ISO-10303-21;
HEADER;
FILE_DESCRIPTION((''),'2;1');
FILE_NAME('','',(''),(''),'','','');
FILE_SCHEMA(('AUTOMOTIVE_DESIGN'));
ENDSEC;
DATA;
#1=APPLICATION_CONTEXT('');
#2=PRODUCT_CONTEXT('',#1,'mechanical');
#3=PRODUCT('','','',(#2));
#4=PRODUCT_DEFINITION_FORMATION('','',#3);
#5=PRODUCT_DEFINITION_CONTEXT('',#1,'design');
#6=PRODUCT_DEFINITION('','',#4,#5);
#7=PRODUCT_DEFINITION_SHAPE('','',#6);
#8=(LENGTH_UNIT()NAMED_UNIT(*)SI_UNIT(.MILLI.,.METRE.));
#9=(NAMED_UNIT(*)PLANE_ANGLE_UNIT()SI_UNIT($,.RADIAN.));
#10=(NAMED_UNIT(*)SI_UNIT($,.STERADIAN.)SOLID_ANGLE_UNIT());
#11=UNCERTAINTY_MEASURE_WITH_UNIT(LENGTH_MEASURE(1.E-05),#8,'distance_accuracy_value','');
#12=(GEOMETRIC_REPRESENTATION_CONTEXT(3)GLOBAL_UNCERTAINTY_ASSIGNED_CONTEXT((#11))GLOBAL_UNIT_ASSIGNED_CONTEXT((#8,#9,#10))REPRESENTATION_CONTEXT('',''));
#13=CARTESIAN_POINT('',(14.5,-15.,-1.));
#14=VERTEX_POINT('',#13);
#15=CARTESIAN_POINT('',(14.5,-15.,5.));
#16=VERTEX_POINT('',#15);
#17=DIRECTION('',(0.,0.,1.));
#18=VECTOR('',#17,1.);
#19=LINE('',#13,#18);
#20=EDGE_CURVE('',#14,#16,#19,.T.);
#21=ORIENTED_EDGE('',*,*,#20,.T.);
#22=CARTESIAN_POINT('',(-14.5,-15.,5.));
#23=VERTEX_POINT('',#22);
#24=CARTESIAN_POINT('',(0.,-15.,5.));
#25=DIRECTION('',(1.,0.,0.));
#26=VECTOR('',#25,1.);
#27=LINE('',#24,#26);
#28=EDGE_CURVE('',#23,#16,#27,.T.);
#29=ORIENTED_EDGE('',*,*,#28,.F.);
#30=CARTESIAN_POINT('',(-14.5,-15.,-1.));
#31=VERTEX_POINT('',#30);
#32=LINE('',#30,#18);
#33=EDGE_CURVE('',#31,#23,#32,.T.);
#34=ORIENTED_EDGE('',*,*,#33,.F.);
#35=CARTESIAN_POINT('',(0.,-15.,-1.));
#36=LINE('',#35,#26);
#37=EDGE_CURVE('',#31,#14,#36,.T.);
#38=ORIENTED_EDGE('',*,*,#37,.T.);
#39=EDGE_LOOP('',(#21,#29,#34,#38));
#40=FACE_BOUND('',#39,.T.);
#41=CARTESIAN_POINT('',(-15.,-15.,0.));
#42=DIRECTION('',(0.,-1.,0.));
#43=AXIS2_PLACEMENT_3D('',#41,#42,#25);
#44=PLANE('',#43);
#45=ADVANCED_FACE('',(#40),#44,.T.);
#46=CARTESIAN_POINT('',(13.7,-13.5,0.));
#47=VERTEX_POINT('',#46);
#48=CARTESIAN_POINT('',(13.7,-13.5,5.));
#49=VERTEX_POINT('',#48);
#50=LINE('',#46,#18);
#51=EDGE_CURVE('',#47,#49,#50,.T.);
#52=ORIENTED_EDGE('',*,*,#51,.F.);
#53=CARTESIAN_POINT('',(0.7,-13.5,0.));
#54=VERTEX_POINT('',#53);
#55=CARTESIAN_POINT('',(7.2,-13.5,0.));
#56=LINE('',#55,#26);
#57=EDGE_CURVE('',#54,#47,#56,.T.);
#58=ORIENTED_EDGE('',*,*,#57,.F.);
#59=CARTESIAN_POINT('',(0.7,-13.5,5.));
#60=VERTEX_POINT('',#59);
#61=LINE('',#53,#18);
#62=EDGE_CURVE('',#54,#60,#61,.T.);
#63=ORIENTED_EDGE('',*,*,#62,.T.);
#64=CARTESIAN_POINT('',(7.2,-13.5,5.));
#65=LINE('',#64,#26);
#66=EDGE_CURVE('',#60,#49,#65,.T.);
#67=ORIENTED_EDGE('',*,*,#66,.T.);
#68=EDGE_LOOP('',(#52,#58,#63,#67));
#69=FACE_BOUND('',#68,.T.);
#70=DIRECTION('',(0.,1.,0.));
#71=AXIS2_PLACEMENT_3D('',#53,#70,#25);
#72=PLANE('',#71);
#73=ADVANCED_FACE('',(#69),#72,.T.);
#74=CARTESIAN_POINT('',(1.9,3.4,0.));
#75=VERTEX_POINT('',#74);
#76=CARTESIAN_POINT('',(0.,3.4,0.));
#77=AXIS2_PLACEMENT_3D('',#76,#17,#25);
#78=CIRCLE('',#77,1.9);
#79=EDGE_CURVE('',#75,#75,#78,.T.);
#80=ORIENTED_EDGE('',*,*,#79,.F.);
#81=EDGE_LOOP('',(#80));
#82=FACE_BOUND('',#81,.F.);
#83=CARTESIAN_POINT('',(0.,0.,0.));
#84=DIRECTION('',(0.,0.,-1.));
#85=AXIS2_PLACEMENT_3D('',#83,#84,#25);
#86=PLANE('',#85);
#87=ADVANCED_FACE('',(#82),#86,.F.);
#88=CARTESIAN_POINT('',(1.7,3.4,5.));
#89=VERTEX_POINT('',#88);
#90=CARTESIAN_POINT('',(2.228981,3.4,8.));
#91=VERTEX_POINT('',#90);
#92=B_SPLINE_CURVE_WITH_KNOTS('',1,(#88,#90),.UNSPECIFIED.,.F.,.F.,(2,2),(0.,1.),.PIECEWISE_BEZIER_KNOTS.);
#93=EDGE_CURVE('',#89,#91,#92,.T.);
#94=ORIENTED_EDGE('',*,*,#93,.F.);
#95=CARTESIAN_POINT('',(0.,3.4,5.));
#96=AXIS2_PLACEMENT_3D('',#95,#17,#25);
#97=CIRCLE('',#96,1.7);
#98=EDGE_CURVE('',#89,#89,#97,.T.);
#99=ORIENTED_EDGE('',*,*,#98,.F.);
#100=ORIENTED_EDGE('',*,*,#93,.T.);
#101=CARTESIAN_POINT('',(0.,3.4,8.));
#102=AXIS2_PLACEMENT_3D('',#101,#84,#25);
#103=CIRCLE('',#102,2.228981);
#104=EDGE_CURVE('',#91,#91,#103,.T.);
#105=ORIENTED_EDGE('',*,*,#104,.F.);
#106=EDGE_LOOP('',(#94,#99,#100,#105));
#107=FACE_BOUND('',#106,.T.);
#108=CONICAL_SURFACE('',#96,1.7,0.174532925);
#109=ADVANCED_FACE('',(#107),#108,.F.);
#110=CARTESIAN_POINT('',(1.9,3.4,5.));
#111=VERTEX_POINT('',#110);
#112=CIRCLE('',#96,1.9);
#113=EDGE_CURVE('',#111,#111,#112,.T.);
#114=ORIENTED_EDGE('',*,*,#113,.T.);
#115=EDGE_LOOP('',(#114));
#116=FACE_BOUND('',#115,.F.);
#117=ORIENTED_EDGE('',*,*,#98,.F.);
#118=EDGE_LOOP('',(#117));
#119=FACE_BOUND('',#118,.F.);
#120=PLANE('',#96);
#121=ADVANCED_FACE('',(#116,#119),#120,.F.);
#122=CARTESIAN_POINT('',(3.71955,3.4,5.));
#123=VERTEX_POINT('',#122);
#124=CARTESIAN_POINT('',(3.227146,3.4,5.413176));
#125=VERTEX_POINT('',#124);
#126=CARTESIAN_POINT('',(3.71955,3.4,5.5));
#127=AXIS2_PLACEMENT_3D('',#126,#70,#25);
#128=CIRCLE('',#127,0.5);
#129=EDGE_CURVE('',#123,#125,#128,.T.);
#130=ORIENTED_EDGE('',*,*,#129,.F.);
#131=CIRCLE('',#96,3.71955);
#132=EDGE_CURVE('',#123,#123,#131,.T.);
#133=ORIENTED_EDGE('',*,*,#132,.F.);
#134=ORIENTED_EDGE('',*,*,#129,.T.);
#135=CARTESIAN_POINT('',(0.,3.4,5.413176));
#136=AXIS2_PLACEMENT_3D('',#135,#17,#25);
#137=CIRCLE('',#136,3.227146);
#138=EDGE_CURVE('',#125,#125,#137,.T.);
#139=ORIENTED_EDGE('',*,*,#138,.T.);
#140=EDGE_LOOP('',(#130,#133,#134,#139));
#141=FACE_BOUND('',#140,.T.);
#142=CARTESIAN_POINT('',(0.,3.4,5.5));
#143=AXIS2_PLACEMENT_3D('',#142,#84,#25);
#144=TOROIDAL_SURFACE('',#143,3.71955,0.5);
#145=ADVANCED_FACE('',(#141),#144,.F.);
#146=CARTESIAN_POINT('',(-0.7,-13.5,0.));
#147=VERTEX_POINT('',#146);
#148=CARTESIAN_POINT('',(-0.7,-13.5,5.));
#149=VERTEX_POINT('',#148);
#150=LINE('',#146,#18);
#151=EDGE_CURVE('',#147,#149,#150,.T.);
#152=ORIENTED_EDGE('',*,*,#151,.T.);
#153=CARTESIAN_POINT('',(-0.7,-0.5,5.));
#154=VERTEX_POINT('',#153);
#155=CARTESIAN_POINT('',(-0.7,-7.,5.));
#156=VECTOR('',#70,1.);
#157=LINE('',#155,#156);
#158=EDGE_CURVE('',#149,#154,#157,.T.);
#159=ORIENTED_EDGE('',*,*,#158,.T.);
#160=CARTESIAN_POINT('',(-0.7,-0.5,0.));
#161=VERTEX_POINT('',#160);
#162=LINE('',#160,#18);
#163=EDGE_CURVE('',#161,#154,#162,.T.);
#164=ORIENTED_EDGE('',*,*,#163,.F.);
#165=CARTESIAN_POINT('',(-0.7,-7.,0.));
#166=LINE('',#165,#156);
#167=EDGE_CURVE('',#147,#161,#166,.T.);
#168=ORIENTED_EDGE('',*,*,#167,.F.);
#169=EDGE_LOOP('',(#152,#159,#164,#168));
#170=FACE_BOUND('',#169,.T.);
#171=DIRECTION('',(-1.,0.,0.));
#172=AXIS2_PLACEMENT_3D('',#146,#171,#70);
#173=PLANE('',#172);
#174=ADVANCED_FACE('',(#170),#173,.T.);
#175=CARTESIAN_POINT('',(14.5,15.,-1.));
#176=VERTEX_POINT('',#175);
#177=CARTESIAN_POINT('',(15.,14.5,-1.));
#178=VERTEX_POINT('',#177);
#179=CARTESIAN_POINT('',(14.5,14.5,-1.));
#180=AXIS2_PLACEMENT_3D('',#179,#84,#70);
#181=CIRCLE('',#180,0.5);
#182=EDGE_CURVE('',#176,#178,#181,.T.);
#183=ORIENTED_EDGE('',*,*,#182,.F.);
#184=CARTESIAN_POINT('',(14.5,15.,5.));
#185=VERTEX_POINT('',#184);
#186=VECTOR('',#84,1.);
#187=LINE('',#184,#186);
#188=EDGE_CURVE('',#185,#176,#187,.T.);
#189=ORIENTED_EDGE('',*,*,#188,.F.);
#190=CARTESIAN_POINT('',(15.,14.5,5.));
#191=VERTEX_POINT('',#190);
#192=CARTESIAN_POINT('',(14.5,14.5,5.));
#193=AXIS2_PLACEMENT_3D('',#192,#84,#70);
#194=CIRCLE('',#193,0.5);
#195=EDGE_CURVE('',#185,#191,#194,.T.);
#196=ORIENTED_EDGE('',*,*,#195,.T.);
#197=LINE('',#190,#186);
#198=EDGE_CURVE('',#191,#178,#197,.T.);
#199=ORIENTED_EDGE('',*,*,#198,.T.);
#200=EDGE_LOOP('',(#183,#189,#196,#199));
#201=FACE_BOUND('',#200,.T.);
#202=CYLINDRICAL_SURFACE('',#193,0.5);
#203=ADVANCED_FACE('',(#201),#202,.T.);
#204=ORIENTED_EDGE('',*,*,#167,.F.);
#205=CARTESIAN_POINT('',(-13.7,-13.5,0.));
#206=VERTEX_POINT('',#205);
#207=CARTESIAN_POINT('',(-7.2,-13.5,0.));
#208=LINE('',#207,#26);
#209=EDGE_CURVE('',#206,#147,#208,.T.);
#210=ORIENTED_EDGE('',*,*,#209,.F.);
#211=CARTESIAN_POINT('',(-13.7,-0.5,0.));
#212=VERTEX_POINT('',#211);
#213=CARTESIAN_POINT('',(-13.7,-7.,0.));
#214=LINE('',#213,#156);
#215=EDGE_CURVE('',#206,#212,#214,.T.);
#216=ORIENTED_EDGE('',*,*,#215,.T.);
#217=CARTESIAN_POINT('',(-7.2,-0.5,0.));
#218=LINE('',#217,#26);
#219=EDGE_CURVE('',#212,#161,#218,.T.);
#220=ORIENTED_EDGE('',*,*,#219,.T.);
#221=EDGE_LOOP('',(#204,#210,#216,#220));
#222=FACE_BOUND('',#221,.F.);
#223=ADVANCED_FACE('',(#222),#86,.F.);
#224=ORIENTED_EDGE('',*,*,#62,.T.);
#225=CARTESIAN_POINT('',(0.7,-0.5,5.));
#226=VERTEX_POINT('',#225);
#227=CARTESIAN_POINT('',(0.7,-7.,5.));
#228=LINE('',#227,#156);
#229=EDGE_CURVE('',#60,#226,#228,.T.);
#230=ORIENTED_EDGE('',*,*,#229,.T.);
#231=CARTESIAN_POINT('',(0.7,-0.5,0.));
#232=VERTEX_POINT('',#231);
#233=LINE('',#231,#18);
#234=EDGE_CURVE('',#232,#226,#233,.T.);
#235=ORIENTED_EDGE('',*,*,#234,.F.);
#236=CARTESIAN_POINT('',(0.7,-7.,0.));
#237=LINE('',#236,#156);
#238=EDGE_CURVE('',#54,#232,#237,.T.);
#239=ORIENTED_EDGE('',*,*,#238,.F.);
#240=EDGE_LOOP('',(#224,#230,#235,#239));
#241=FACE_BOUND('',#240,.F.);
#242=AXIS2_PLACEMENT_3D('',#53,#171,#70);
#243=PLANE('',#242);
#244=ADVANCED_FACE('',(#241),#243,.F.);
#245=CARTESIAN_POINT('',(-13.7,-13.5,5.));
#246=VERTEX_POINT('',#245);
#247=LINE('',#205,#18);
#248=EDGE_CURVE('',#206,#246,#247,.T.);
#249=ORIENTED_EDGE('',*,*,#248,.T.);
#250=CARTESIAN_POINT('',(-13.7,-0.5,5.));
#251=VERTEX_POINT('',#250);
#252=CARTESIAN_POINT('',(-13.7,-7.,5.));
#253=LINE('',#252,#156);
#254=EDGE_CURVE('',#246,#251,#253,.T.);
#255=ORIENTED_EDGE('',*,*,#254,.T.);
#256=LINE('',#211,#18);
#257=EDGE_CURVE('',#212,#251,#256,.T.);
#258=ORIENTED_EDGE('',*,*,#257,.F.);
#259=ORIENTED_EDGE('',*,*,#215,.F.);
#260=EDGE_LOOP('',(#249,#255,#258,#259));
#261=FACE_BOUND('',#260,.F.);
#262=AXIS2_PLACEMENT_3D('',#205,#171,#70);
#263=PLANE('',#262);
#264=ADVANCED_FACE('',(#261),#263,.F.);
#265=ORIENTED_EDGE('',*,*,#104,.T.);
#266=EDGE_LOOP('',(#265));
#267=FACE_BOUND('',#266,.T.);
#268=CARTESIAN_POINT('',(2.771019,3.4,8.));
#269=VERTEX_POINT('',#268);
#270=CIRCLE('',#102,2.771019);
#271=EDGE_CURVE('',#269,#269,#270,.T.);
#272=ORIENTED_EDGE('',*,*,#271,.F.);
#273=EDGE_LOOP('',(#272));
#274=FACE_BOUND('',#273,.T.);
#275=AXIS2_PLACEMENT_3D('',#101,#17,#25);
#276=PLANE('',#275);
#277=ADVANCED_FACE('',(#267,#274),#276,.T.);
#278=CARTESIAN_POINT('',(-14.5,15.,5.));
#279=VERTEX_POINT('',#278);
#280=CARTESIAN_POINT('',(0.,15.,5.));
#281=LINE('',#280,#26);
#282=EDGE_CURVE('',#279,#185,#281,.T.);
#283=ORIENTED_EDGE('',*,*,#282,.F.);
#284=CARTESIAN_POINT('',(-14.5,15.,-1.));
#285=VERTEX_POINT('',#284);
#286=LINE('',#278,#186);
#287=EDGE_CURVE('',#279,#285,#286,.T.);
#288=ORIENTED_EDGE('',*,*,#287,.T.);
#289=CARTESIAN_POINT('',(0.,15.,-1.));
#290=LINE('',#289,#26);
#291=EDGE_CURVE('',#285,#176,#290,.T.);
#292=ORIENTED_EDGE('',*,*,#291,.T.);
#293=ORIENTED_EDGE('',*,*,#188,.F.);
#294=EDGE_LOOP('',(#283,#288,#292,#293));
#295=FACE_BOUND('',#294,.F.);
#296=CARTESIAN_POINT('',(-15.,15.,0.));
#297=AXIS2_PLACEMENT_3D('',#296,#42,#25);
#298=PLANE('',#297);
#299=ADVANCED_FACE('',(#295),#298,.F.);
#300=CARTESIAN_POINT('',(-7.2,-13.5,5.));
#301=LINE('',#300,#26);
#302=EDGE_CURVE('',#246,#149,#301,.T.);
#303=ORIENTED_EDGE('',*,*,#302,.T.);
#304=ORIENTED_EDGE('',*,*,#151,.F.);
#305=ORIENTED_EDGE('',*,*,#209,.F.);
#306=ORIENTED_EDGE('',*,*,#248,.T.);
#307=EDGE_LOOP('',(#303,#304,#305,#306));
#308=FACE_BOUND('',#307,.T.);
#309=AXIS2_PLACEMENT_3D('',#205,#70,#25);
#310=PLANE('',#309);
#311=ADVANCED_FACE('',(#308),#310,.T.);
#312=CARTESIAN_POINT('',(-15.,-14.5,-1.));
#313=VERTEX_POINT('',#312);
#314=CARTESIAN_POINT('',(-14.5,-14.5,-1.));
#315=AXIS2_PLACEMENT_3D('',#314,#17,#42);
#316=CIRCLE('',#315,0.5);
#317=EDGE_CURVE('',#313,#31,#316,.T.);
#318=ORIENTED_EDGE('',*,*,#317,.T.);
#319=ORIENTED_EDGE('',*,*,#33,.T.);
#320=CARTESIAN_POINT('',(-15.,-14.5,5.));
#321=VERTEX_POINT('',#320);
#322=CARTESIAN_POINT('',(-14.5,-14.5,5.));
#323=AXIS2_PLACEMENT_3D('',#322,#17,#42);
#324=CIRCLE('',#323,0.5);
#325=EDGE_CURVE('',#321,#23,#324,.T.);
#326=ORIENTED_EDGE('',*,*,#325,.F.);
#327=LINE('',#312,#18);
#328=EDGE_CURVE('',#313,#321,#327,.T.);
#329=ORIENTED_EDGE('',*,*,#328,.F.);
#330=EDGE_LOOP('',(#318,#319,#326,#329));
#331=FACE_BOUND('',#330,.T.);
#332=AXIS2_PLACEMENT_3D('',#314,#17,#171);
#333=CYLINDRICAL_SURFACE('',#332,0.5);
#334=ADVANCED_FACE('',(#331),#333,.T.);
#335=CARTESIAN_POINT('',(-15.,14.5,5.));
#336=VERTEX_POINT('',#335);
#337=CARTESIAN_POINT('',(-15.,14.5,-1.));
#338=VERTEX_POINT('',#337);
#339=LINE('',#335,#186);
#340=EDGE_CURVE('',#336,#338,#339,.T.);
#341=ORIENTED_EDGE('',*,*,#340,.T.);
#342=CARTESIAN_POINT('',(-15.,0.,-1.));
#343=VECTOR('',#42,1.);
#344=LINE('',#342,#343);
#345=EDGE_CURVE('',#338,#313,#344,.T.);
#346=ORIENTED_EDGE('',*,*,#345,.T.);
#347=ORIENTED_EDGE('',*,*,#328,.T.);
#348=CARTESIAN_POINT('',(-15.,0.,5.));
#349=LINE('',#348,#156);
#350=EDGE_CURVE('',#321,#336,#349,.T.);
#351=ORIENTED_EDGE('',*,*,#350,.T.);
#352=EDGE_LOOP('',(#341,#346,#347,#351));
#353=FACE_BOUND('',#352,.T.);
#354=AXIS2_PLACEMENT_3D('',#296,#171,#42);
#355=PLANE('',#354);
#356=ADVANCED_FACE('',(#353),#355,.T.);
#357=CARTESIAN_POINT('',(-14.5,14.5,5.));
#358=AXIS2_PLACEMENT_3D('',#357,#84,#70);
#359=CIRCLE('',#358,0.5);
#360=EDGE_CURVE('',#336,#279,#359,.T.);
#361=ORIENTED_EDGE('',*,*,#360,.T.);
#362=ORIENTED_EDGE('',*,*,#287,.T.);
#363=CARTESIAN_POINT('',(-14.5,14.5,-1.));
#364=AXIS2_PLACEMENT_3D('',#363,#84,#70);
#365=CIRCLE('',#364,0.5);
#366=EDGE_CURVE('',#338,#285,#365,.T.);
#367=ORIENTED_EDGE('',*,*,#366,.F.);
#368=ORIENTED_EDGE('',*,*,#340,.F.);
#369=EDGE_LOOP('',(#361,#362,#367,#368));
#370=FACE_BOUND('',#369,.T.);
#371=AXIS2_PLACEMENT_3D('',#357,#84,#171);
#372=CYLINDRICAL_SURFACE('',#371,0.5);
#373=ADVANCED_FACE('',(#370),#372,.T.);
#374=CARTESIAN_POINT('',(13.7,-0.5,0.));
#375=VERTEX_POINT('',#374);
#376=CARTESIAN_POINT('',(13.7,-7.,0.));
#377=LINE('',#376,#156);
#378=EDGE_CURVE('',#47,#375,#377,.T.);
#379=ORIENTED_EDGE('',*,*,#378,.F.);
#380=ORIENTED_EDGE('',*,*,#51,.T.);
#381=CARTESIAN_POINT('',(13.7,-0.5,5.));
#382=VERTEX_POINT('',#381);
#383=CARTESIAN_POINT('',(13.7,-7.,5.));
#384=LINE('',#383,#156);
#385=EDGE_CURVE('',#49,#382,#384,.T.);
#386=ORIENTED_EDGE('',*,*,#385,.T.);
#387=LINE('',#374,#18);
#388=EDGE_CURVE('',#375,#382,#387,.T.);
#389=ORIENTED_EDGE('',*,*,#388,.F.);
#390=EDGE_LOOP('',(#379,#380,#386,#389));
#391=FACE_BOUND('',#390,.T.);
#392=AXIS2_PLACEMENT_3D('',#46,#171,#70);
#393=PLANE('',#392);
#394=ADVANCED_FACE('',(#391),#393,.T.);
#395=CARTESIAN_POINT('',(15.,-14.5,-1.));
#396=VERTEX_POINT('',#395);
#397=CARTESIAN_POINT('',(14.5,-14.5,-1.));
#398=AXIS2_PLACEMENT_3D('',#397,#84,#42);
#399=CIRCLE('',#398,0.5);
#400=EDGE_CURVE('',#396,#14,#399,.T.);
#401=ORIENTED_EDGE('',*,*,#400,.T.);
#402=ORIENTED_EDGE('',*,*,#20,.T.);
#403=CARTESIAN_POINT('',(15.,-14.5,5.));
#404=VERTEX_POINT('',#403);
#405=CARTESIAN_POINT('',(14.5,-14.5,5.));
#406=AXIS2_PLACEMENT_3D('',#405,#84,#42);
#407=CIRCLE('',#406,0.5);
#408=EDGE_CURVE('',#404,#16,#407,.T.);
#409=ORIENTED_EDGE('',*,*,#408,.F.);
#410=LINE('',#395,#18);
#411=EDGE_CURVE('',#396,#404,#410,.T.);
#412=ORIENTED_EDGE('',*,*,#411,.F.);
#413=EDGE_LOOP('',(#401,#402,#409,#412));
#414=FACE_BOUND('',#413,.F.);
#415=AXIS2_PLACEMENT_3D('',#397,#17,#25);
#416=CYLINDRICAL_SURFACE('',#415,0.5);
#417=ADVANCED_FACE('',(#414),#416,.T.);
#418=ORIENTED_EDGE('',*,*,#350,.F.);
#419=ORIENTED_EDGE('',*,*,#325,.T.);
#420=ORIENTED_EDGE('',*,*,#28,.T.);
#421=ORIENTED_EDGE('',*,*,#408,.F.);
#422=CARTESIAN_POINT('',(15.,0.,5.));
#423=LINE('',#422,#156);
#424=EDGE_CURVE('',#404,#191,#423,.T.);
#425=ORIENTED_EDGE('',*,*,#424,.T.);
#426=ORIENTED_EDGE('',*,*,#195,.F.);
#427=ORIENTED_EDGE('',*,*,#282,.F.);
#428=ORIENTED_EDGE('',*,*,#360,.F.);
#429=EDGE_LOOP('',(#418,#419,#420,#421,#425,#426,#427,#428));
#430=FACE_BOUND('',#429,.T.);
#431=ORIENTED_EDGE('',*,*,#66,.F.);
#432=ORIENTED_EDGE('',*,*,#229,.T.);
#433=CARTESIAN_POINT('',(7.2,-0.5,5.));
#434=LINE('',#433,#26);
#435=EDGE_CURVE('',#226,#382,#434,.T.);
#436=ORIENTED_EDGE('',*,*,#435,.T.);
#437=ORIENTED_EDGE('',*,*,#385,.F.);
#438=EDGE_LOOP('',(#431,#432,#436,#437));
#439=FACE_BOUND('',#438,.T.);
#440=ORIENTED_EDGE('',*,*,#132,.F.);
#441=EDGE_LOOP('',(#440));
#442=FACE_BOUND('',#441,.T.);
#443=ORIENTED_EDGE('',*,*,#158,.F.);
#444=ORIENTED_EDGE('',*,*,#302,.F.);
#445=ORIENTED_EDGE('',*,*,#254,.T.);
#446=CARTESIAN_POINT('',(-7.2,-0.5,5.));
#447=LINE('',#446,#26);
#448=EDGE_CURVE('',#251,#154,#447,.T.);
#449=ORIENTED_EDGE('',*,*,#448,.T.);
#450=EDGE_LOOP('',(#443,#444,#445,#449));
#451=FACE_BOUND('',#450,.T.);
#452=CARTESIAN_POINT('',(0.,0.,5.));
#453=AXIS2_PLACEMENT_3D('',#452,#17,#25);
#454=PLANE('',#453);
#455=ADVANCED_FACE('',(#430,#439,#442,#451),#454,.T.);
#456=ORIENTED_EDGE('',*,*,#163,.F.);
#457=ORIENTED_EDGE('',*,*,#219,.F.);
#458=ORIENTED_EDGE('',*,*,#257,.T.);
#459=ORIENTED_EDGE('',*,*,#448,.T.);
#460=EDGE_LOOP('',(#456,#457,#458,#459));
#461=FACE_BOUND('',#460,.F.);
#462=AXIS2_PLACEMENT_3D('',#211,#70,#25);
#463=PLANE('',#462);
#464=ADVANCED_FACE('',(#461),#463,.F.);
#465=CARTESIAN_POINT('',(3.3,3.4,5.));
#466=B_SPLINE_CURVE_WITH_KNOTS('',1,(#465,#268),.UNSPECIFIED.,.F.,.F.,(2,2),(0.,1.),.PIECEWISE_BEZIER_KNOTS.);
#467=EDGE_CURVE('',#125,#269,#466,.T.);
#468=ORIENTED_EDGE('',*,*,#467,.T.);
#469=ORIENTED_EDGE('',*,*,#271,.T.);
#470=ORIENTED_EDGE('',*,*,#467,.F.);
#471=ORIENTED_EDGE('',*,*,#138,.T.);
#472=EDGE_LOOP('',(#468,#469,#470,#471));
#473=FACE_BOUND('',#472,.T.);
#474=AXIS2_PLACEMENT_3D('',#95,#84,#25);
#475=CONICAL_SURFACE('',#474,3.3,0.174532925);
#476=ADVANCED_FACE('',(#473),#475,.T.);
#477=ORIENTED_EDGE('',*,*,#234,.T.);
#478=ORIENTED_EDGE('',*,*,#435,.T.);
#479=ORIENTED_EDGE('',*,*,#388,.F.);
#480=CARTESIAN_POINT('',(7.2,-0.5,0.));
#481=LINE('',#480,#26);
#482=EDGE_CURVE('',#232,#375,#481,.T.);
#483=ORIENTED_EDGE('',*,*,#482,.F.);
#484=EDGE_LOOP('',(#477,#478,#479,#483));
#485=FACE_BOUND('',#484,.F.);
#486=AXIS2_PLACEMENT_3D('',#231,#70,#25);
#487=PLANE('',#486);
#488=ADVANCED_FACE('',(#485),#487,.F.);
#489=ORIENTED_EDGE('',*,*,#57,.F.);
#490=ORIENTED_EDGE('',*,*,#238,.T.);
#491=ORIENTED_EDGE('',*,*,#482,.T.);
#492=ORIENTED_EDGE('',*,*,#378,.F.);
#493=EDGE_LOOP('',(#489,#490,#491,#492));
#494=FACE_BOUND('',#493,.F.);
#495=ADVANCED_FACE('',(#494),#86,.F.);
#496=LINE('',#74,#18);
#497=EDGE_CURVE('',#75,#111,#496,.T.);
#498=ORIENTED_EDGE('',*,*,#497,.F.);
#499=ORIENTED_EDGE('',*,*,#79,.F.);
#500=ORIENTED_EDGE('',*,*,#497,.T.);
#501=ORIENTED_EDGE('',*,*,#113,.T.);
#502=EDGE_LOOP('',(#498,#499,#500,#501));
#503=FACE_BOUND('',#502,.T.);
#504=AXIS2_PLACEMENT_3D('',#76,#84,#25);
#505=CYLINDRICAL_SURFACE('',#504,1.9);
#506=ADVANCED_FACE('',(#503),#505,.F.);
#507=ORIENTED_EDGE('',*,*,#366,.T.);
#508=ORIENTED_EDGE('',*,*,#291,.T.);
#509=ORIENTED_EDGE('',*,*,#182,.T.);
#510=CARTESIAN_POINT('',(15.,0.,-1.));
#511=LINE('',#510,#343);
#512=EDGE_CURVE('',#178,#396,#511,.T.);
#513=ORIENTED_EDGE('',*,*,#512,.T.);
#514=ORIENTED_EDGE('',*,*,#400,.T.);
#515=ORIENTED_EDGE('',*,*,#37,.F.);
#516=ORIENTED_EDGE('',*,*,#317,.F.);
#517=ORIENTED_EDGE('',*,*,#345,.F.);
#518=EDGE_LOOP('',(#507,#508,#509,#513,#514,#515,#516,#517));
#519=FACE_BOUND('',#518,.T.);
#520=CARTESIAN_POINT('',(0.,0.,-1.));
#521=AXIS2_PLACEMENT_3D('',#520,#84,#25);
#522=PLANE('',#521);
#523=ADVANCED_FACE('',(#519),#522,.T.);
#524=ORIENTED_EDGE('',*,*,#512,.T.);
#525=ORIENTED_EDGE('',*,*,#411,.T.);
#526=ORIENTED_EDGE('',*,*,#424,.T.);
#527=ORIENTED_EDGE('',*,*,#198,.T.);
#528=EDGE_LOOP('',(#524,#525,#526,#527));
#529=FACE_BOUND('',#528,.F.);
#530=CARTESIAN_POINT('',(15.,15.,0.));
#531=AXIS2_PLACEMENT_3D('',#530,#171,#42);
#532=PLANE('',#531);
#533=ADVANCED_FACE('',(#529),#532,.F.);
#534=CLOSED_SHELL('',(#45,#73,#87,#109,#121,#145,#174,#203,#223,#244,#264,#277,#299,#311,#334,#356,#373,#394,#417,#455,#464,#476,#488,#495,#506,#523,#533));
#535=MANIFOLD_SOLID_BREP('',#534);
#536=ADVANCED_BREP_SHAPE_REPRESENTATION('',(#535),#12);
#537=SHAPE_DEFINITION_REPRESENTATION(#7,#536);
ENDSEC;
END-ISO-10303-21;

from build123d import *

# Parameters (mm, degrees)
F0_W     = 30
F0_H     = 30
F0_W_2   = 13
F0_H_2   = 13
F0_R     = 1.9
F1_DEPTH = 5
F2_R     = 3.3
F2_R_2   = 1.7
F3_DEPTH = 3
F3_TAPER = 10
F4_W     = 30
F4_H     = 30
F5_DEPTH = 1
F6_R     = 0.5


with BuildPart() as f1:
    # F0 (on Top) → F1 (new body)
    with BuildSketch(Plane.XY):
        Rectangle(F0_W, F0_H)
        with Locations((-7.2, -7)):
            Rectangle(F0_W_2, F0_H_2, mode=Mode.SUBTRACT)
        with Locations((7.2, -7)):
            Rectangle(F0_W_2, F0_H_2, mode=Mode.SUBTRACT)
        with Locations((0, 3.4)):
            Circle(F0_R, mode=Mode.SUBTRACT)
    extrude(amount=F1_DEPTH)

    # F2 (on face) → F3 (join)
    with BuildSketch(Plane.XY.offset(5)):
        with Locations((0, 3.4)):
            Circle(F2_R)
        with Locations((0, 3.4)):
            Circle(F2_R_2, mode=Mode.SUBTRACT)
    extrude(amount=F3_DEPTH, taper=F3_TAPER)

    # F4 (on face) → F5 (join)
    with BuildSketch(Plane(origin=(0, 0, 0), x_dir=(1, 0, 0), z_dir=(0, 0, -1))):
        Rectangle(F4_W, F4_H)
    extrude(amount=F5_DEPTH)

    # F6
    f6_edges = [f1.edges().sort_by_distance(p)[0] for p in [
        (-15, -15, 2),
        (15, -15, 2),
        (15, 15, 2),
        (-15, 15, 2),
        (-3.3, 3.4, 5),
    ]]
    fillet(f6_edges, radius=F6_R)


solid = f1.part
